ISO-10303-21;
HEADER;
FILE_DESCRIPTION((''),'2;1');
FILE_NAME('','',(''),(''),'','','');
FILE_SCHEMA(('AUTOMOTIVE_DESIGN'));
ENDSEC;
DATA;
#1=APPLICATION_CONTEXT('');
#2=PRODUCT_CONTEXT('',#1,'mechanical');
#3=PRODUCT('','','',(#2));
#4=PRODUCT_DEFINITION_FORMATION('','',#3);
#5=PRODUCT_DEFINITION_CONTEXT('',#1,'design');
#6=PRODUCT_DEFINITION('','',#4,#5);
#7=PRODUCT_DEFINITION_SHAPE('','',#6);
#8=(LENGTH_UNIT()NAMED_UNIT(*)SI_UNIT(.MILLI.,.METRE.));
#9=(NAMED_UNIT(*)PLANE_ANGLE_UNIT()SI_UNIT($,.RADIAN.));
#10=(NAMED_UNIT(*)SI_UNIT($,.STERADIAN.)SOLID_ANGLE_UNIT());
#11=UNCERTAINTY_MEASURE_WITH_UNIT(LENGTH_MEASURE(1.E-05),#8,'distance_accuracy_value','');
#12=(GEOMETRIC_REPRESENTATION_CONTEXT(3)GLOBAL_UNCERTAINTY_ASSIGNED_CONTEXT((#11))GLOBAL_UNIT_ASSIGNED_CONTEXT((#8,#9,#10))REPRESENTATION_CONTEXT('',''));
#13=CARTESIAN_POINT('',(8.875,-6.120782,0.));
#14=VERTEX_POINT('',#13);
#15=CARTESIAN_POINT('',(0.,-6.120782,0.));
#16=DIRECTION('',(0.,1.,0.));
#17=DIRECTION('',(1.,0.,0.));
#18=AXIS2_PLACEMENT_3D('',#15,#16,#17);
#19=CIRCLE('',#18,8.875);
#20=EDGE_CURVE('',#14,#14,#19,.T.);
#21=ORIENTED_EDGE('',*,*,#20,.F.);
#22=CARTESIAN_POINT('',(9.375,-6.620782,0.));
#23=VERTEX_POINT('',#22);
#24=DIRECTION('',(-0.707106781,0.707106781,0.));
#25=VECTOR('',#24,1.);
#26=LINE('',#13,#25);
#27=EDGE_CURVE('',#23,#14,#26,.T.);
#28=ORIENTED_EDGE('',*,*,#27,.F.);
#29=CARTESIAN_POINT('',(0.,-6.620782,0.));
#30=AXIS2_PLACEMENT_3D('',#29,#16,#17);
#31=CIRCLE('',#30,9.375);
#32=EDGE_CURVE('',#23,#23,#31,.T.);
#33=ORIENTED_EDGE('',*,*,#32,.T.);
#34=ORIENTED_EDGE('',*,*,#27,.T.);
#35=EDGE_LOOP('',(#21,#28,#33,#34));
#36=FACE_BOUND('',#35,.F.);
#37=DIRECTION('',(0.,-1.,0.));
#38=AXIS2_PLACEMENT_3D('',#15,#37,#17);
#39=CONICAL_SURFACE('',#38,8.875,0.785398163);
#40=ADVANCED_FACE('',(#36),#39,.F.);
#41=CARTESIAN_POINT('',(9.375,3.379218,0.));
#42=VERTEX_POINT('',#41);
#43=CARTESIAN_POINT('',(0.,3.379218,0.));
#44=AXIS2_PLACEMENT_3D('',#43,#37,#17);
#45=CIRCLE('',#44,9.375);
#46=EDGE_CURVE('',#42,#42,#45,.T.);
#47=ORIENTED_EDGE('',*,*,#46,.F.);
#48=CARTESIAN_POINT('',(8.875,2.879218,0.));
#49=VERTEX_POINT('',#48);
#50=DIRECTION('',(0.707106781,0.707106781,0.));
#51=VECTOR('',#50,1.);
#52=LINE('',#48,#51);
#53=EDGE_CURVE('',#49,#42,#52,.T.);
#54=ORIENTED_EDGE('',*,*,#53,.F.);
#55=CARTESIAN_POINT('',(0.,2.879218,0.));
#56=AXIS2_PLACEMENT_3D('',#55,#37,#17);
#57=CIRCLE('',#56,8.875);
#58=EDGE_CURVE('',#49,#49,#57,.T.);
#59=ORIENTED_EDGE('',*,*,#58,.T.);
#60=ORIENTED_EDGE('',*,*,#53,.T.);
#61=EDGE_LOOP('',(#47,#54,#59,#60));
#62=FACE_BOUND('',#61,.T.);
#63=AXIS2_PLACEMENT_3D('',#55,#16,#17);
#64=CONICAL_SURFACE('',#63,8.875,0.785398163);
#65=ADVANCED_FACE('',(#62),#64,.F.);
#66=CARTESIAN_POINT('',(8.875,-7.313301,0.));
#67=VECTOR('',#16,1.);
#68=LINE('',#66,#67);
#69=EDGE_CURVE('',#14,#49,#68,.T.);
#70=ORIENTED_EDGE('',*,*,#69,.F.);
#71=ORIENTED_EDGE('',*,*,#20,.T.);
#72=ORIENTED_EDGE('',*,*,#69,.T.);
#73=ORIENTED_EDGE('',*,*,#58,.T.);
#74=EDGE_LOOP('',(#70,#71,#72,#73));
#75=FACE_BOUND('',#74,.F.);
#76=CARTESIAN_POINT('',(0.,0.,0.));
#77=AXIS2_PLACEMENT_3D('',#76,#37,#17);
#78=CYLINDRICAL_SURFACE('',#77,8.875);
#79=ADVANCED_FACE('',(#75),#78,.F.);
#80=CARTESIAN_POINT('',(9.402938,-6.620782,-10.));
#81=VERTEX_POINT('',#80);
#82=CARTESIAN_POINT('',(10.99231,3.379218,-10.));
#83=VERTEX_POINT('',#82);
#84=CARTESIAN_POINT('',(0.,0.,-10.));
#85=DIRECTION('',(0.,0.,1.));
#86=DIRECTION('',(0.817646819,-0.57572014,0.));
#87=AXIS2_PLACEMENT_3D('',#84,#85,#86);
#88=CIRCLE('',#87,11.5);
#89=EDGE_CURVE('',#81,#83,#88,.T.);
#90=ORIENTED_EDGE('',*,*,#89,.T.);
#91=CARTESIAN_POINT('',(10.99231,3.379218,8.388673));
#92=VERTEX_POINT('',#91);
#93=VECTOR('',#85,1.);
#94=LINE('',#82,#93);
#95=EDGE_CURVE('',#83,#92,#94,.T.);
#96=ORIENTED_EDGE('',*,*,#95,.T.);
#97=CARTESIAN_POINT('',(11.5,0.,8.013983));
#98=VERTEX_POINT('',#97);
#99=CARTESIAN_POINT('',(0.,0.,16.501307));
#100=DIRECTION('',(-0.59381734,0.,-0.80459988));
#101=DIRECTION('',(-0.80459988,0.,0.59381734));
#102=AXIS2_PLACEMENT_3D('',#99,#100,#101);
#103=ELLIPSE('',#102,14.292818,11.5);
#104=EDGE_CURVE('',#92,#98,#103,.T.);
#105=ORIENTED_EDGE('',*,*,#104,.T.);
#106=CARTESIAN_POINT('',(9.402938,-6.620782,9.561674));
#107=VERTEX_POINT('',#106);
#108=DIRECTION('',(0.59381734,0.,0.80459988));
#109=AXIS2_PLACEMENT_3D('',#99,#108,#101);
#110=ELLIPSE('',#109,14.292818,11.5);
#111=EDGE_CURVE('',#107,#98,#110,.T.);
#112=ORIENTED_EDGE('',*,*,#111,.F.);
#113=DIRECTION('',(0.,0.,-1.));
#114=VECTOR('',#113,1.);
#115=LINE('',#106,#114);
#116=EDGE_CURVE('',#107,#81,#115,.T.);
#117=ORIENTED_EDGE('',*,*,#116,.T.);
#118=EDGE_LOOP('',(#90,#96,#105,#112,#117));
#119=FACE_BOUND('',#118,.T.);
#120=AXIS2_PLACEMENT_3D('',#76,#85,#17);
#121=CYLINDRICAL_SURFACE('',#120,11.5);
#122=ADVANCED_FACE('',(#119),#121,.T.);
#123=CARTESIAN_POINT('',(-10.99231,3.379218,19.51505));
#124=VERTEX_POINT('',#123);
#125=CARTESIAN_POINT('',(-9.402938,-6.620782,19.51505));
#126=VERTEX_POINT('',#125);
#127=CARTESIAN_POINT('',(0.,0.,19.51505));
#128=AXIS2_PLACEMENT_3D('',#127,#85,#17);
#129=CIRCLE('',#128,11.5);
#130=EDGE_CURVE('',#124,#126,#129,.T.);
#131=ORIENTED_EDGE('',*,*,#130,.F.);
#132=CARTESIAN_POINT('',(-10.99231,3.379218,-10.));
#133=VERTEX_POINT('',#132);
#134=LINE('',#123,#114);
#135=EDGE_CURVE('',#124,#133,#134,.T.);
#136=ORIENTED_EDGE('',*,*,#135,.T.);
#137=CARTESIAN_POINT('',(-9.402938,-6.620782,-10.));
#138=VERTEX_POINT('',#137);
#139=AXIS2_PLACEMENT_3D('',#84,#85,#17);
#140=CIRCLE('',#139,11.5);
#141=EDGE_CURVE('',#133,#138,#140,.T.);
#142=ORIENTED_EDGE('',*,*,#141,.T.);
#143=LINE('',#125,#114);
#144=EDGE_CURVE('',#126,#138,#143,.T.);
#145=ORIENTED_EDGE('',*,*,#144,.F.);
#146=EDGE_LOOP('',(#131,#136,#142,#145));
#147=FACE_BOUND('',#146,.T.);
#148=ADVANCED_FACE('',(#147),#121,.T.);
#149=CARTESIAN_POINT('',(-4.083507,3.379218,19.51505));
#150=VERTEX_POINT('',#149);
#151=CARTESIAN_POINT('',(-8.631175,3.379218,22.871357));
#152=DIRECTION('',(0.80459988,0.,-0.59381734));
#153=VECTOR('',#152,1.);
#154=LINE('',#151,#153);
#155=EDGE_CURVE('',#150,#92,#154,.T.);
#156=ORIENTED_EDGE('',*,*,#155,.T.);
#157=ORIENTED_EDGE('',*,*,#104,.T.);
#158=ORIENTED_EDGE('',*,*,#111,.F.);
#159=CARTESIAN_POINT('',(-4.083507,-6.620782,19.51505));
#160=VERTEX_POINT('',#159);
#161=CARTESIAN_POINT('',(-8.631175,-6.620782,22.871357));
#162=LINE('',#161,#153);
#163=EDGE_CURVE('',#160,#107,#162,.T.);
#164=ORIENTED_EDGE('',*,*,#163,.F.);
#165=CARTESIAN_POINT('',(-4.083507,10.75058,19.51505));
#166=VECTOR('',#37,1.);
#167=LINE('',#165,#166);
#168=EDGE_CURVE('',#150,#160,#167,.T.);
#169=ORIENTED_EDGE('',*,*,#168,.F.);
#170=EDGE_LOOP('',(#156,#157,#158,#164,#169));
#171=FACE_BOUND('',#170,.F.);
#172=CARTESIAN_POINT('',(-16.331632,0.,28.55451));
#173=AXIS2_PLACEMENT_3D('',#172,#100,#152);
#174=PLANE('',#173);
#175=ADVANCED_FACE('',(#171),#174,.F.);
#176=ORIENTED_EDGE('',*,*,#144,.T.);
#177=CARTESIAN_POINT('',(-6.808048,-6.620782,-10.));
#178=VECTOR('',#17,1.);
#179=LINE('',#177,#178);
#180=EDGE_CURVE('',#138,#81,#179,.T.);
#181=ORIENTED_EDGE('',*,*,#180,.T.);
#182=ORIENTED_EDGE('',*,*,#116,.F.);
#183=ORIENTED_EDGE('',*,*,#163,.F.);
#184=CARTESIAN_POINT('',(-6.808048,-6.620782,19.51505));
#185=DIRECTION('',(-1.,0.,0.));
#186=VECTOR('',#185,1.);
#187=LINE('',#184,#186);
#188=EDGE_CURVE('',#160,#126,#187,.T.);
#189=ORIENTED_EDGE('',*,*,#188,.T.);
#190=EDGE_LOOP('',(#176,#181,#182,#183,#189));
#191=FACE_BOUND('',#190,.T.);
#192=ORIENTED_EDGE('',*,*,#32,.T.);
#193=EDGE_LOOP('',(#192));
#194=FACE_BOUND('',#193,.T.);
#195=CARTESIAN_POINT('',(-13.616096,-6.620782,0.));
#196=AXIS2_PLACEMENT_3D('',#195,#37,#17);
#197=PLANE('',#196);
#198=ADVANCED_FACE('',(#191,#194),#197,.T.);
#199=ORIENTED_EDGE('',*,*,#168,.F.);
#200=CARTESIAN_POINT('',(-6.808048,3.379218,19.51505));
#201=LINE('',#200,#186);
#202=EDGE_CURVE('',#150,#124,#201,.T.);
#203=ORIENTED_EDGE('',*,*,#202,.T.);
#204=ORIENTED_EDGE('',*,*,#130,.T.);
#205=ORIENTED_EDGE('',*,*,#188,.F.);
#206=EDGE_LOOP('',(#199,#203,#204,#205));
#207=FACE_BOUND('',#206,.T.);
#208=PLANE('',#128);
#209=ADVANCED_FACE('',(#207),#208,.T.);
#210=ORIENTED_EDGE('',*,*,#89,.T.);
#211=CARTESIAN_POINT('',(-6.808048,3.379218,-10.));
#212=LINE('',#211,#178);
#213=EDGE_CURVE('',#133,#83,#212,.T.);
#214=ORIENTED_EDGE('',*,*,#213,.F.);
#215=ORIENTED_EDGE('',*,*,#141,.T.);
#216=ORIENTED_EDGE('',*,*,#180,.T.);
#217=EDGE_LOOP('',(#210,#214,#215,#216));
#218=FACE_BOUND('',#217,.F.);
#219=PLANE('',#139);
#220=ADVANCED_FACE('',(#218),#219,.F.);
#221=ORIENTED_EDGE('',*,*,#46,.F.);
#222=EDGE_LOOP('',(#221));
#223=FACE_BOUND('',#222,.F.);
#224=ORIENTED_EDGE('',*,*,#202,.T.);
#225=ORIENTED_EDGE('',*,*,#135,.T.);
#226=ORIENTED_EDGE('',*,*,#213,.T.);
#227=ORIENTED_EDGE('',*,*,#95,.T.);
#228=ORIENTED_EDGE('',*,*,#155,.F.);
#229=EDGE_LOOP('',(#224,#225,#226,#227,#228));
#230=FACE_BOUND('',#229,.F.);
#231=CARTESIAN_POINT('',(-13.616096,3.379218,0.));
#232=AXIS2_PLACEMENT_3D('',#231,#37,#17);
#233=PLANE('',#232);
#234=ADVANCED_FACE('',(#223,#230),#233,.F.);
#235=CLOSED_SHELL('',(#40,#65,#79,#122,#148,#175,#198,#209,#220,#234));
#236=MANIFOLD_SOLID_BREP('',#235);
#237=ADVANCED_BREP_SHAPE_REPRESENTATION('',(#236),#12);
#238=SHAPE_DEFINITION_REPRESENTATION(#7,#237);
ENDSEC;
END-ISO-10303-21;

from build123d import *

# Parameters (mm, degrees)
F1_R          = 11.5
F2_DEPTH      = 19.51505
F2_DEPTH_BACK = 10
F0_R          = 8.875
F3_DEPTH      = 25
F3_DEPTH_BACK = 25
F5_DEPTH      = 25
F5_DEPTH_BACK = 25
F6_W          = 31.0526300933
F6_H          = 13.8705706969
F6_H_2        = 13.1759493425
F7_DEPTH      = 25
F7_DEPTH_BACK = 25
F8_SIZE       = 0.5


with BuildPart() as f2:
    # F1 (on Top) → F2 (new body, two sides)
    with BuildSketch(Plane.XY) as f2_sk:
        Circle(F1_R)
    extrude(amount=F2_DEPTH)
    extrude(f2_sk.sketch, amount=-F2_DEPTH_BACK)

    # F0 (on Front) → F3 (cut, two sides)
    with BuildSketch(Plane.XZ) as f3_sk:
        Circle(F0_R)
    extrude(amount=-F3_DEPTH, mode=Mode.SUBTRACT)
    extrude(f3_sk.sketch, amount=F3_DEPTH_BACK, mode=Mode.SUBTRACT)

    # F4 (on Front) → F5 (cut, two sides)
    with BuildSketch(Plane.XZ) as f5_sk:
        Polygon((24.7668549418, 28.5545103252), (-16.3316316903, 28.5545103252), (24.7668549418, -1.7773286672), align=None)
    extrude(amount=-F5_DEPTH, mode=Mode.SUBTRACT)
    extrude(f5_sk.sketch, amount=F5_DEPTH_BACK, mode=Mode.SUBTRACT)

    # F6 (on Top) → F7 (cut, two sides)
    with BuildSketch(Plane.XY) as f7_sk:
        with Locations((1.910218969, 10.3145037405)):
            Rectangle(F6_W, F6_H)
        with Locations((1.910218969, -13.2087562792)):
            Rectangle(F6_W, F6_H_2)
    extrude(amount=-F7_DEPTH, mode=Mode.SUBTRACT)
    extrude(f7_sk.sketch, amount=F7_DEPTH_BACK, mode=Mode.SUBTRACT)

    # F8
    f8_edges = [f2.edges().sort_by_distance(p)[0] for p in [
        (-8.875, 3.379218, 0),
        (-8.875, -6.620782, 0),
    ]]
    chamfer(f8_edges, length=F8_SIZE)


solid = f2.part
